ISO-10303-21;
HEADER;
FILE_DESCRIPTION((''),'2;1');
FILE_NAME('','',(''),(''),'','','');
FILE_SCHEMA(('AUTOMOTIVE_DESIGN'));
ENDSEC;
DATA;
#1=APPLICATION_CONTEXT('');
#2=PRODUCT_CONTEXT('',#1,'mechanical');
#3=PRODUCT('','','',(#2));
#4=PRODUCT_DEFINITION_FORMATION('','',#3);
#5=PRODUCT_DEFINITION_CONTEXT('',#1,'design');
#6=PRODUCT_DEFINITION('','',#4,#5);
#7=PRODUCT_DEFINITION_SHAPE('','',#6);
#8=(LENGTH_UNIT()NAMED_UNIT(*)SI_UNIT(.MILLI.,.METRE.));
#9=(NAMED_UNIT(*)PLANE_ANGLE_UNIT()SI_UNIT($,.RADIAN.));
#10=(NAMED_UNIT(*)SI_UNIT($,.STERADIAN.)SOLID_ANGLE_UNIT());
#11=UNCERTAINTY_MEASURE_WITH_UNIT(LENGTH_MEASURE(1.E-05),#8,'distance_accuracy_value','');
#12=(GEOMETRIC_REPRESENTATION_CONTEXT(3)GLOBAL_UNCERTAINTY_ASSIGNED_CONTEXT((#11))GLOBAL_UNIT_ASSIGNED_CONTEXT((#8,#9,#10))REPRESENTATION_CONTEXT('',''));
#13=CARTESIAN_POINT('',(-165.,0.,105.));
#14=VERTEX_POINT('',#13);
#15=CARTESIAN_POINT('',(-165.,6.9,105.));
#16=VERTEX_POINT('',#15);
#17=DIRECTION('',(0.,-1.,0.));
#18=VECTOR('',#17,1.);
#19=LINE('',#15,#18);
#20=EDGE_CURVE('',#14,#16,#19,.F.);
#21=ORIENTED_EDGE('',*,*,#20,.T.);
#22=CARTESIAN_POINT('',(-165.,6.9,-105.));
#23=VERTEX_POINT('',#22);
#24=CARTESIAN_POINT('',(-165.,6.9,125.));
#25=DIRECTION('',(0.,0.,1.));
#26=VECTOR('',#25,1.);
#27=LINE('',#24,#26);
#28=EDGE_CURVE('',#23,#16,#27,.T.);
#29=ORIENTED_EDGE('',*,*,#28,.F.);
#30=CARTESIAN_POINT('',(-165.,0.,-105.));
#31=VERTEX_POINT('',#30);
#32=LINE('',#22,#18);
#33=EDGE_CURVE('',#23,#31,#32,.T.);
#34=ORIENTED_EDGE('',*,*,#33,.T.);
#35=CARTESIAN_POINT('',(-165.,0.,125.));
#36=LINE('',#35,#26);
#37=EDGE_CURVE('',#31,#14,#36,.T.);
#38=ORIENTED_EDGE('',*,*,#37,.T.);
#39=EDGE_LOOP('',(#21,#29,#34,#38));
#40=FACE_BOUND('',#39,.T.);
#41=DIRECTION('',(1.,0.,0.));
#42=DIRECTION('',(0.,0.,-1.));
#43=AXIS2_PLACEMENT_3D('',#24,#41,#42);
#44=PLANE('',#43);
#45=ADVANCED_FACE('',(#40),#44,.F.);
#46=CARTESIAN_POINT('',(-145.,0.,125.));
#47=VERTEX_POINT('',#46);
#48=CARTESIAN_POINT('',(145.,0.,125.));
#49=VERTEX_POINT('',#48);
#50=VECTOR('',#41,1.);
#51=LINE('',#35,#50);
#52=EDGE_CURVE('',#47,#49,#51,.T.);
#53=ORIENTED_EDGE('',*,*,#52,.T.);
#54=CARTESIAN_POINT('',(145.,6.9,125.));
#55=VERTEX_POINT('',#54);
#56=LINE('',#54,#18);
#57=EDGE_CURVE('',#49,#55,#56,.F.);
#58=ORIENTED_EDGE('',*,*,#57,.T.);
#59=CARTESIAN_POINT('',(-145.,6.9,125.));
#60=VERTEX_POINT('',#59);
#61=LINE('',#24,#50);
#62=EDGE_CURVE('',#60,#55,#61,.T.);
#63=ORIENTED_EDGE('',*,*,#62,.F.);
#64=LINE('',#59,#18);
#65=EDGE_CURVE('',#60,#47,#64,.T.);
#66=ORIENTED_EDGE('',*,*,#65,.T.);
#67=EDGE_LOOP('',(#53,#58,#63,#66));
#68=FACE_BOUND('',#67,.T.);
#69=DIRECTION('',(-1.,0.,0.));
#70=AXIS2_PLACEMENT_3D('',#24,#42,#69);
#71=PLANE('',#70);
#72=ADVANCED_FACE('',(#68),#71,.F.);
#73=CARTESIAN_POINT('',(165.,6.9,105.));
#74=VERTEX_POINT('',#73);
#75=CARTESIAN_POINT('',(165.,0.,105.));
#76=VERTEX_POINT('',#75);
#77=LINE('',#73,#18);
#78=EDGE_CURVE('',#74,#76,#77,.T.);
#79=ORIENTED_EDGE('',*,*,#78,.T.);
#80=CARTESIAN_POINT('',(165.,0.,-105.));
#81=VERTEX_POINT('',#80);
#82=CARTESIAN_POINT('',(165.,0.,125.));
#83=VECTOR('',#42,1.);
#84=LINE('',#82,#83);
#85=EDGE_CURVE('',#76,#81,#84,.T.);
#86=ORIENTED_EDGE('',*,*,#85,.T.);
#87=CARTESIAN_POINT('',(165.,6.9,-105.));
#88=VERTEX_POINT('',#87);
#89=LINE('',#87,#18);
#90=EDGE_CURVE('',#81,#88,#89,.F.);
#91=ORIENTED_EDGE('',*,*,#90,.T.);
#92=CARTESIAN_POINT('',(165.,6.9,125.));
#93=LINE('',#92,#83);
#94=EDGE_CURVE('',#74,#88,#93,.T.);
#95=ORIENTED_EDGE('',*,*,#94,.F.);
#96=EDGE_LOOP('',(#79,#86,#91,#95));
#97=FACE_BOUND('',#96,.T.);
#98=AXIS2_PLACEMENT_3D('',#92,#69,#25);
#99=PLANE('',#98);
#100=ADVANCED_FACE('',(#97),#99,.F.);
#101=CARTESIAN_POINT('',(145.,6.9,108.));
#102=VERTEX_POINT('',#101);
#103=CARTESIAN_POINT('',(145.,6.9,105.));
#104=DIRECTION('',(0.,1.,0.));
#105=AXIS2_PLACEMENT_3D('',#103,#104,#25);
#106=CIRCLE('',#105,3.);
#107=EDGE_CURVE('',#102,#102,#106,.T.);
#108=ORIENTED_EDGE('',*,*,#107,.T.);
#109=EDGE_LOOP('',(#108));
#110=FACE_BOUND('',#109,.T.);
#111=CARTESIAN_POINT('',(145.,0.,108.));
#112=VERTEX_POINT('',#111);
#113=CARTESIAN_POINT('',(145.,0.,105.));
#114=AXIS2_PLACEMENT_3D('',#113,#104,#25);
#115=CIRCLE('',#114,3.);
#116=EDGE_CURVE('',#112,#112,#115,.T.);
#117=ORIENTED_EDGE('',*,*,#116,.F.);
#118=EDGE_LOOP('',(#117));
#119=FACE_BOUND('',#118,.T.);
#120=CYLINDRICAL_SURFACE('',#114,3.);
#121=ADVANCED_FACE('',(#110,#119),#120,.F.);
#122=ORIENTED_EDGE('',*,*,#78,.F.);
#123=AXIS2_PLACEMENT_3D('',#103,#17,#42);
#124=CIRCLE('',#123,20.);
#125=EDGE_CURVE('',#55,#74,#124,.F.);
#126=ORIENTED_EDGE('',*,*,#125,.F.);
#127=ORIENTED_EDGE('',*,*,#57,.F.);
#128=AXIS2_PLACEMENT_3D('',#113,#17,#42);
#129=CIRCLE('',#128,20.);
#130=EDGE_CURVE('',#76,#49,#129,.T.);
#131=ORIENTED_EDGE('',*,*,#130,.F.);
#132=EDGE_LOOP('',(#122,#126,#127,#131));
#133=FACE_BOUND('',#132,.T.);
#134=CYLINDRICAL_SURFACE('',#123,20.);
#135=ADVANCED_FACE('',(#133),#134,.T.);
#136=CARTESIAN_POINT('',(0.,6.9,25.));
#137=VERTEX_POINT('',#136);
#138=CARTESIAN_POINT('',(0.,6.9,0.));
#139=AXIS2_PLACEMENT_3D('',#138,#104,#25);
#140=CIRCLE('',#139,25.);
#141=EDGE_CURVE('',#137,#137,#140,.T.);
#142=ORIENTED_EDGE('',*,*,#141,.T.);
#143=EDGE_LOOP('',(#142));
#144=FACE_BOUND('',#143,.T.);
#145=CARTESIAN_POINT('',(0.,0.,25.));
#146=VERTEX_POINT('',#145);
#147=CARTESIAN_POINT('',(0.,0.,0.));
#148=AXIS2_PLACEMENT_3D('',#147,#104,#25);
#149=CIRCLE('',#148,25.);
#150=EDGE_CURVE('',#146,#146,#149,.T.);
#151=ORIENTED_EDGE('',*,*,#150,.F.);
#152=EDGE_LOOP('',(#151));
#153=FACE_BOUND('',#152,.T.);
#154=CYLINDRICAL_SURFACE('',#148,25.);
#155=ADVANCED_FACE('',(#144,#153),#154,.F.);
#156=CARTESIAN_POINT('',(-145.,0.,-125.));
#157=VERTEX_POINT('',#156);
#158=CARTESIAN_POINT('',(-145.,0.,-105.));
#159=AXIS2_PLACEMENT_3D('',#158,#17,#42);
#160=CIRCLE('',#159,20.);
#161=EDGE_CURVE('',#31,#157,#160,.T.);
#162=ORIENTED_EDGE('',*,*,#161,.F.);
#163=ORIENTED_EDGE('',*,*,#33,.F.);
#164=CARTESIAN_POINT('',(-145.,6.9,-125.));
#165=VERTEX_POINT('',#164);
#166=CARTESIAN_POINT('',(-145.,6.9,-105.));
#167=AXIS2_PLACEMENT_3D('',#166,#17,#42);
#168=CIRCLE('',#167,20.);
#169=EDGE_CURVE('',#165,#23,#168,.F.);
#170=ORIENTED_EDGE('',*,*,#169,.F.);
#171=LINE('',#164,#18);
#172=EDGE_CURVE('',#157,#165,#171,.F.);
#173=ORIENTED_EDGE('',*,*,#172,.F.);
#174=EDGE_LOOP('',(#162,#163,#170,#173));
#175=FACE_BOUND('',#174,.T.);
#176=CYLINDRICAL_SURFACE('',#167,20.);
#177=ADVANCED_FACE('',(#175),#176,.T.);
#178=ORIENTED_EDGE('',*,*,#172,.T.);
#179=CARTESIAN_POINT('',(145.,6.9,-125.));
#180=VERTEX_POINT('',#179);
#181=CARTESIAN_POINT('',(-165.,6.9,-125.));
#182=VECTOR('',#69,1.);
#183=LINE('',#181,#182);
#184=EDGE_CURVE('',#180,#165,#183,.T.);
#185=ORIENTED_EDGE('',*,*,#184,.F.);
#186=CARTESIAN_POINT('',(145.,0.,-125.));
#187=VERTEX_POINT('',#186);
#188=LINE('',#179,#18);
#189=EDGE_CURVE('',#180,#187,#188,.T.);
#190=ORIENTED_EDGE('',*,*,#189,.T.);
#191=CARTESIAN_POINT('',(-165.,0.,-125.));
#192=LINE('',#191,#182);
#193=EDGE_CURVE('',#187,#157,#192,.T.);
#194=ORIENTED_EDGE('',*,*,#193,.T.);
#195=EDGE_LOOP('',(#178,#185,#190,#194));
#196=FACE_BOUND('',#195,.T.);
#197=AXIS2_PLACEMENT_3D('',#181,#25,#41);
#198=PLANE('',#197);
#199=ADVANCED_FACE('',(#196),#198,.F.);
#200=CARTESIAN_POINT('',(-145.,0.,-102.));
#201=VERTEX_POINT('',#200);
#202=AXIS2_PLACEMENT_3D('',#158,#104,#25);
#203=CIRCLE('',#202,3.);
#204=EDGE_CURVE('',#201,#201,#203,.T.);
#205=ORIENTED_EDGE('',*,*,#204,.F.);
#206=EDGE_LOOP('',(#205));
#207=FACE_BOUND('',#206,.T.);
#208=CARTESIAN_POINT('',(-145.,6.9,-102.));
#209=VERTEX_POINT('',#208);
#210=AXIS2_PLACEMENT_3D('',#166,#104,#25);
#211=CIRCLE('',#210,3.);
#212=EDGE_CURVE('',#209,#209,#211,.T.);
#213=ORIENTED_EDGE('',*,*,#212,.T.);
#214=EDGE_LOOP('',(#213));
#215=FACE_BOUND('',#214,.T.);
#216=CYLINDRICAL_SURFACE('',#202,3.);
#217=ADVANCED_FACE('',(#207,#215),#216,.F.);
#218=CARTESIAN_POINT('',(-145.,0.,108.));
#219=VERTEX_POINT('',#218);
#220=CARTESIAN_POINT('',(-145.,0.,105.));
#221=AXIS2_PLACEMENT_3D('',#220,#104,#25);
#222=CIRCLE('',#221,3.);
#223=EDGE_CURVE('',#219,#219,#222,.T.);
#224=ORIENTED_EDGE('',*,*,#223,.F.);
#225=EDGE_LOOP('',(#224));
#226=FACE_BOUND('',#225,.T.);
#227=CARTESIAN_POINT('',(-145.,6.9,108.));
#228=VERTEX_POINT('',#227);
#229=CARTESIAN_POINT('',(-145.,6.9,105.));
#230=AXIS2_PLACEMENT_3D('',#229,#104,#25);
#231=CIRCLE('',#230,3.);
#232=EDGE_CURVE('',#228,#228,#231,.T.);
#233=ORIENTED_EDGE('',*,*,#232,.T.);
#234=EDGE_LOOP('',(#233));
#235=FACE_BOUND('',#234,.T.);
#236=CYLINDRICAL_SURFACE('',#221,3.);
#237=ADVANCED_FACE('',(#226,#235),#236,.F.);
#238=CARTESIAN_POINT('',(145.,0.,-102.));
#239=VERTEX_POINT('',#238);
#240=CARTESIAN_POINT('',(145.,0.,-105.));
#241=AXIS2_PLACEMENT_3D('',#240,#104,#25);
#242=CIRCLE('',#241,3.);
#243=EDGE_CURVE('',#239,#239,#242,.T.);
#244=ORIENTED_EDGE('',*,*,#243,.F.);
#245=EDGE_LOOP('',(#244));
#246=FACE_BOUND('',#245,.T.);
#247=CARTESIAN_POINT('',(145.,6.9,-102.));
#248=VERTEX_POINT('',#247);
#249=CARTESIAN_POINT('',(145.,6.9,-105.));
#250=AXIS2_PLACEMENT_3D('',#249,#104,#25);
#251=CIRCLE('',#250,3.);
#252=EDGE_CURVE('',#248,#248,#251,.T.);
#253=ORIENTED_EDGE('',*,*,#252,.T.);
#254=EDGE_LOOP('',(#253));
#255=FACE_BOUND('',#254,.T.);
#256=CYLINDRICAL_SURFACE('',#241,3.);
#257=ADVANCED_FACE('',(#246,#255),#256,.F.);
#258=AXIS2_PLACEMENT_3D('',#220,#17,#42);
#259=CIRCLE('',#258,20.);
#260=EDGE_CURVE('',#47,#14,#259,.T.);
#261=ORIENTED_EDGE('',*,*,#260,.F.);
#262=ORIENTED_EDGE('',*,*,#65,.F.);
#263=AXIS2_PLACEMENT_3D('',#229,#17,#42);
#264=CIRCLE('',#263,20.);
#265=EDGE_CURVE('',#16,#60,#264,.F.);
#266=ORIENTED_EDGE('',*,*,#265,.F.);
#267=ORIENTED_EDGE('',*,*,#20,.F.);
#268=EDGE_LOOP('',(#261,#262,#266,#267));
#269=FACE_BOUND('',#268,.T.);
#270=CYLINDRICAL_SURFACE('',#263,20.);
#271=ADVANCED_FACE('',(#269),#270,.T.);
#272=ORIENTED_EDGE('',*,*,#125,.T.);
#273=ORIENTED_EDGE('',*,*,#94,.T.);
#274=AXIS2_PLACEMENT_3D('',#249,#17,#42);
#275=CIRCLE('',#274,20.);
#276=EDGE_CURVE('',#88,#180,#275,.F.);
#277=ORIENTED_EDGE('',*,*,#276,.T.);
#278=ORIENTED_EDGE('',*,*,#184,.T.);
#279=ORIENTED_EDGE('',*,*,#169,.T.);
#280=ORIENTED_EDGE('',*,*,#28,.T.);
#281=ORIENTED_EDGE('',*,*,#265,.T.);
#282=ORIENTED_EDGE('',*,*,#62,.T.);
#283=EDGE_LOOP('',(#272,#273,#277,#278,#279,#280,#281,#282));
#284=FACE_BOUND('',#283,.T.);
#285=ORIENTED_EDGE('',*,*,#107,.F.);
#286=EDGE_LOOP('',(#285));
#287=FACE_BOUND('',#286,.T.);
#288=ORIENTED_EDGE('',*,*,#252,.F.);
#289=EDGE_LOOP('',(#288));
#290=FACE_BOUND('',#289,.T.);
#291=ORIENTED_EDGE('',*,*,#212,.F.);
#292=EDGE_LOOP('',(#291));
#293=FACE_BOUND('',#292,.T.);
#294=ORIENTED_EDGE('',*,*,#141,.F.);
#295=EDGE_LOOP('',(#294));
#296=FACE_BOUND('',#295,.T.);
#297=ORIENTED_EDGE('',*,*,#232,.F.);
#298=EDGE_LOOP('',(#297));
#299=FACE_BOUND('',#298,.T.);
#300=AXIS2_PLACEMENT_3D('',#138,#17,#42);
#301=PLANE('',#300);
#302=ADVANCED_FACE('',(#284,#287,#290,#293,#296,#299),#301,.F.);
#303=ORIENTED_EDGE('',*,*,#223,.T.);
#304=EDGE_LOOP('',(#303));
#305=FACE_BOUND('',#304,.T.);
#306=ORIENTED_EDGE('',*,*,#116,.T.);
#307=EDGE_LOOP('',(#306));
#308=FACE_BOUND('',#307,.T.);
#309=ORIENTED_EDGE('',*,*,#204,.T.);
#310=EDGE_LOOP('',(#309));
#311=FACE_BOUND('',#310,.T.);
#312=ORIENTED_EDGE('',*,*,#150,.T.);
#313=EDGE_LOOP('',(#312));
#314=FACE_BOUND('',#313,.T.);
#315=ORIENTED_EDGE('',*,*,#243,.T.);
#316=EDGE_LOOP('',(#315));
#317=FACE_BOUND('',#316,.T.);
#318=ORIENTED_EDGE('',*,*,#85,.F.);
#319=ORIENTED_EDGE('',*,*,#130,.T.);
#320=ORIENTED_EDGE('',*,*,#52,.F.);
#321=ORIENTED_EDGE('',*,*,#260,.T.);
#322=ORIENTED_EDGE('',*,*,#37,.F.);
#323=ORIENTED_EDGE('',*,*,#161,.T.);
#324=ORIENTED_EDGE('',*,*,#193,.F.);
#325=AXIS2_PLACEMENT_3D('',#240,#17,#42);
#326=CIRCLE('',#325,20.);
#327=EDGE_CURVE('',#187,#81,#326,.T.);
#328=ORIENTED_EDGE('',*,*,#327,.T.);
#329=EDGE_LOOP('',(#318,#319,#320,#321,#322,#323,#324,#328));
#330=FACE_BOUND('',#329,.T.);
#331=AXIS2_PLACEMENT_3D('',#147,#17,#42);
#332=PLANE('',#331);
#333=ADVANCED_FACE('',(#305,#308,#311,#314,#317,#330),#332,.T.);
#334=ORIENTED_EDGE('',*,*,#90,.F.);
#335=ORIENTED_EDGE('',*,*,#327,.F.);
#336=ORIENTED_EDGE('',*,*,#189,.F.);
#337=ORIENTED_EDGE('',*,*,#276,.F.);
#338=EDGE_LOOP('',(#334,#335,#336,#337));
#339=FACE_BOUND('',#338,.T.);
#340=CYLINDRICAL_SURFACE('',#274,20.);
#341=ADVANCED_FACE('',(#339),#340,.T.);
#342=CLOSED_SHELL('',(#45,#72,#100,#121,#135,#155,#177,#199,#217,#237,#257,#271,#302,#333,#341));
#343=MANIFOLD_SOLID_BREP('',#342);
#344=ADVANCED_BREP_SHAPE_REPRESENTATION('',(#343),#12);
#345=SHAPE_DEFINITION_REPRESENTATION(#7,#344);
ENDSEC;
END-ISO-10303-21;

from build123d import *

# Parameters (mm, degrees)
SKETCH1_W           = 330
SKETCH1_H           = 250
BOSS_EXTRUDE1_DEPTH = 6.9
SKETCH2_R           = 3
CUT_EXTRUDE1_DEPTH  = 7.9
SKETCH3_R           = 25
CUT_EXTRUDE2_DEPTH  = 7.9
FILLET1_R           = 20


with BuildPart() as part:
    # Sketch1 → Boss-Extrude1 (new body)
    with BuildSketch(Plane(origin=(0, 0, 0), x_dir=(1, 0, 0), z_dir=(0, 1, 0))):
        Rectangle(SKETCH1_W, SKETCH1_H)
    extrude(amount=BOSS_EXTRUDE1_DEPTH)

    # Sketch2 → Cut-Extrude1 (cut, through all)
    with BuildSketch(Plane(origin=(0, 6.9, 0), x_dir=(1, 0, 0), z_dir=(0, 1, 0))):
        with Locations((-145, 105)):
            Circle(SKETCH2_R)
        with Locations((145, 105)):
            Circle(SKETCH2_R)
        with Locations((145, -105)):
            Circle(SKETCH2_R)
        with Locations((-145, -105)):
            Circle(SKETCH2_R)
    extrude(amount=-CUT_EXTRUDE1_DEPTH, mode=Mode.SUBTRACT)

    # Sketch3 → Cut-Extrude2 (cut, through all)
    with BuildSketch(Plane(origin=(0, 6.9, 0), x_dir=(1, 0, 0), z_dir=(0, 1, 0))):
        Circle(SKETCH3_R)
    extrude(amount=-CUT_EXTRUDE2_DEPTH, mode=Mode.SUBTRACT)

    # Fillet1
    fillet1_edges = [part.edges().sort_by_distance(p)[0] for p in [
        (-165, 3.45, -125),
        (165, 3.45, -125),
        (165, 3.45, 125),
        (-165, 3.45, 125),
    ]]
    fillet(fillet1_edges, radius=FILLET1_R)


solid = part.part
